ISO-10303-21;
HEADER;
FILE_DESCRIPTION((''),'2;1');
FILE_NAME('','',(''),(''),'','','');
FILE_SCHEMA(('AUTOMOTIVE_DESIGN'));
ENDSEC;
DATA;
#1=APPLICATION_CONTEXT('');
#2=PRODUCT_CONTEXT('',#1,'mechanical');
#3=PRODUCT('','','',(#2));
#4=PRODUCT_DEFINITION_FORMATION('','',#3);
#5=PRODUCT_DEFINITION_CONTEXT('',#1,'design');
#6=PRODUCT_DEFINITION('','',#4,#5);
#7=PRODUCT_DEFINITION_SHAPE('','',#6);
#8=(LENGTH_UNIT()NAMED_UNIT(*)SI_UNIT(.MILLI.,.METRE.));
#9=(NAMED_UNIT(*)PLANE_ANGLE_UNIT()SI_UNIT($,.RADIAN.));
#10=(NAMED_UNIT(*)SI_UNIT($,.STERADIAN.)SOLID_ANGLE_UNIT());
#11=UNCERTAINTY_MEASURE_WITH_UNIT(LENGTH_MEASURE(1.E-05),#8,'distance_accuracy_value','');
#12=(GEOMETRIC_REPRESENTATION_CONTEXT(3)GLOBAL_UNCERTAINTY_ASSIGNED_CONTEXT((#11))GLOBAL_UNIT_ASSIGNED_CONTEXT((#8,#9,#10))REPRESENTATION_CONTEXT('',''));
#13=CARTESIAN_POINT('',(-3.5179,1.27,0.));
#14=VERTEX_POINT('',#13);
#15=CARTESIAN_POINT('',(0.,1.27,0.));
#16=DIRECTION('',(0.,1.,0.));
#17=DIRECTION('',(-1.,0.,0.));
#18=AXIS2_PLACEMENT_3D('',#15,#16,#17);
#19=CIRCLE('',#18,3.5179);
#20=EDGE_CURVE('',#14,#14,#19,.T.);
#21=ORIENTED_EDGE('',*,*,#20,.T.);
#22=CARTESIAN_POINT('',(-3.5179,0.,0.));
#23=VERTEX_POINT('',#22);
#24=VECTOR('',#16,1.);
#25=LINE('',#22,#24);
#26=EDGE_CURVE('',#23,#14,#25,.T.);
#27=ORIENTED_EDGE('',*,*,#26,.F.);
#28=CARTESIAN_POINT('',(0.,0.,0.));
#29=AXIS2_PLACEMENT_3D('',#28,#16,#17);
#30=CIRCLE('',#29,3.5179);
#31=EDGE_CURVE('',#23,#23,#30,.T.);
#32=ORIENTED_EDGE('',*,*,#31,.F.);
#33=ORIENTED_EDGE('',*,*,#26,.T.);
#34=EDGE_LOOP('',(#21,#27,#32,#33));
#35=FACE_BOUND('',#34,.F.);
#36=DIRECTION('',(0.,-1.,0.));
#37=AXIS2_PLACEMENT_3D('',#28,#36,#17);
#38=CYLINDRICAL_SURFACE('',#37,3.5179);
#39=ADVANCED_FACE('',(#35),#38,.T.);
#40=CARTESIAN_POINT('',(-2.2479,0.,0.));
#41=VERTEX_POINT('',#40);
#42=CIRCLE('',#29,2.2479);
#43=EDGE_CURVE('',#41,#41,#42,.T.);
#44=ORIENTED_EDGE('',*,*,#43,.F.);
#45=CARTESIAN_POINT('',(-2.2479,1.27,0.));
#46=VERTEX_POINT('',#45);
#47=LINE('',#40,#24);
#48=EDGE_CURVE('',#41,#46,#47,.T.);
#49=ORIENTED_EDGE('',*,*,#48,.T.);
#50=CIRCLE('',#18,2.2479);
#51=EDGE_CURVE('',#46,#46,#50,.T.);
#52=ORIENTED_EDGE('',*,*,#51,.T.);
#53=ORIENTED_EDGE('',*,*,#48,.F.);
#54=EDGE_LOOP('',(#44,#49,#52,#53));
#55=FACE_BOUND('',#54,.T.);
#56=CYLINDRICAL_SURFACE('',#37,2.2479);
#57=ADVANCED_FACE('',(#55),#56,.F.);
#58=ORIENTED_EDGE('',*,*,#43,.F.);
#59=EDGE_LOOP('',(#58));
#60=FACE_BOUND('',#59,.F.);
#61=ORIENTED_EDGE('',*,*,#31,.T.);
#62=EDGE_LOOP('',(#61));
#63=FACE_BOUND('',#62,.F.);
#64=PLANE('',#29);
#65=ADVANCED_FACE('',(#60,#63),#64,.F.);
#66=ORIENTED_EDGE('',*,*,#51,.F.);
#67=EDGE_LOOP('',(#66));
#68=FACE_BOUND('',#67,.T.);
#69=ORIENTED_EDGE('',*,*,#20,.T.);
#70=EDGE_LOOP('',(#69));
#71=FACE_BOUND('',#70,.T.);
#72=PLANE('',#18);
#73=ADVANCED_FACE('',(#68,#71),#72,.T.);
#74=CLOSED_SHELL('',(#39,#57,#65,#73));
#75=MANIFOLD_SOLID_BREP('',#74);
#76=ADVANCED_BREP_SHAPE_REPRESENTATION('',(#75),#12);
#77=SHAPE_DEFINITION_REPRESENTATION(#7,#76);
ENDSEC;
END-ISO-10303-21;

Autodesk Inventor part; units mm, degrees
ref_plane "YZ Plane" through (0, 0, 0) normal (1, 0, 0) x (0, 1, 0)
ref_plane "XZ Plane" through (0, 0, 0) normal (0, 1, 0) x (-1, 0, 0)
ref_plane "XY Plane" through (0, 0, 0) normal (0, 0, 1) x (1, 0, 0)
sketch "Sketch1" plane through (0, 0, 0) normal (0, 1, 0) x (-1, 0, 0)
  circle A0 centre (0, 0) radius 2.2479
  circle A1 centre (0, 0) radius 3.5179
  dimension "d0" = 1.27
  dimension "d1" = 4.4958
extrude "Extrusion1" add sketch "Sketch1" along normal blind 1.27
properties part number "ceramic washer"
